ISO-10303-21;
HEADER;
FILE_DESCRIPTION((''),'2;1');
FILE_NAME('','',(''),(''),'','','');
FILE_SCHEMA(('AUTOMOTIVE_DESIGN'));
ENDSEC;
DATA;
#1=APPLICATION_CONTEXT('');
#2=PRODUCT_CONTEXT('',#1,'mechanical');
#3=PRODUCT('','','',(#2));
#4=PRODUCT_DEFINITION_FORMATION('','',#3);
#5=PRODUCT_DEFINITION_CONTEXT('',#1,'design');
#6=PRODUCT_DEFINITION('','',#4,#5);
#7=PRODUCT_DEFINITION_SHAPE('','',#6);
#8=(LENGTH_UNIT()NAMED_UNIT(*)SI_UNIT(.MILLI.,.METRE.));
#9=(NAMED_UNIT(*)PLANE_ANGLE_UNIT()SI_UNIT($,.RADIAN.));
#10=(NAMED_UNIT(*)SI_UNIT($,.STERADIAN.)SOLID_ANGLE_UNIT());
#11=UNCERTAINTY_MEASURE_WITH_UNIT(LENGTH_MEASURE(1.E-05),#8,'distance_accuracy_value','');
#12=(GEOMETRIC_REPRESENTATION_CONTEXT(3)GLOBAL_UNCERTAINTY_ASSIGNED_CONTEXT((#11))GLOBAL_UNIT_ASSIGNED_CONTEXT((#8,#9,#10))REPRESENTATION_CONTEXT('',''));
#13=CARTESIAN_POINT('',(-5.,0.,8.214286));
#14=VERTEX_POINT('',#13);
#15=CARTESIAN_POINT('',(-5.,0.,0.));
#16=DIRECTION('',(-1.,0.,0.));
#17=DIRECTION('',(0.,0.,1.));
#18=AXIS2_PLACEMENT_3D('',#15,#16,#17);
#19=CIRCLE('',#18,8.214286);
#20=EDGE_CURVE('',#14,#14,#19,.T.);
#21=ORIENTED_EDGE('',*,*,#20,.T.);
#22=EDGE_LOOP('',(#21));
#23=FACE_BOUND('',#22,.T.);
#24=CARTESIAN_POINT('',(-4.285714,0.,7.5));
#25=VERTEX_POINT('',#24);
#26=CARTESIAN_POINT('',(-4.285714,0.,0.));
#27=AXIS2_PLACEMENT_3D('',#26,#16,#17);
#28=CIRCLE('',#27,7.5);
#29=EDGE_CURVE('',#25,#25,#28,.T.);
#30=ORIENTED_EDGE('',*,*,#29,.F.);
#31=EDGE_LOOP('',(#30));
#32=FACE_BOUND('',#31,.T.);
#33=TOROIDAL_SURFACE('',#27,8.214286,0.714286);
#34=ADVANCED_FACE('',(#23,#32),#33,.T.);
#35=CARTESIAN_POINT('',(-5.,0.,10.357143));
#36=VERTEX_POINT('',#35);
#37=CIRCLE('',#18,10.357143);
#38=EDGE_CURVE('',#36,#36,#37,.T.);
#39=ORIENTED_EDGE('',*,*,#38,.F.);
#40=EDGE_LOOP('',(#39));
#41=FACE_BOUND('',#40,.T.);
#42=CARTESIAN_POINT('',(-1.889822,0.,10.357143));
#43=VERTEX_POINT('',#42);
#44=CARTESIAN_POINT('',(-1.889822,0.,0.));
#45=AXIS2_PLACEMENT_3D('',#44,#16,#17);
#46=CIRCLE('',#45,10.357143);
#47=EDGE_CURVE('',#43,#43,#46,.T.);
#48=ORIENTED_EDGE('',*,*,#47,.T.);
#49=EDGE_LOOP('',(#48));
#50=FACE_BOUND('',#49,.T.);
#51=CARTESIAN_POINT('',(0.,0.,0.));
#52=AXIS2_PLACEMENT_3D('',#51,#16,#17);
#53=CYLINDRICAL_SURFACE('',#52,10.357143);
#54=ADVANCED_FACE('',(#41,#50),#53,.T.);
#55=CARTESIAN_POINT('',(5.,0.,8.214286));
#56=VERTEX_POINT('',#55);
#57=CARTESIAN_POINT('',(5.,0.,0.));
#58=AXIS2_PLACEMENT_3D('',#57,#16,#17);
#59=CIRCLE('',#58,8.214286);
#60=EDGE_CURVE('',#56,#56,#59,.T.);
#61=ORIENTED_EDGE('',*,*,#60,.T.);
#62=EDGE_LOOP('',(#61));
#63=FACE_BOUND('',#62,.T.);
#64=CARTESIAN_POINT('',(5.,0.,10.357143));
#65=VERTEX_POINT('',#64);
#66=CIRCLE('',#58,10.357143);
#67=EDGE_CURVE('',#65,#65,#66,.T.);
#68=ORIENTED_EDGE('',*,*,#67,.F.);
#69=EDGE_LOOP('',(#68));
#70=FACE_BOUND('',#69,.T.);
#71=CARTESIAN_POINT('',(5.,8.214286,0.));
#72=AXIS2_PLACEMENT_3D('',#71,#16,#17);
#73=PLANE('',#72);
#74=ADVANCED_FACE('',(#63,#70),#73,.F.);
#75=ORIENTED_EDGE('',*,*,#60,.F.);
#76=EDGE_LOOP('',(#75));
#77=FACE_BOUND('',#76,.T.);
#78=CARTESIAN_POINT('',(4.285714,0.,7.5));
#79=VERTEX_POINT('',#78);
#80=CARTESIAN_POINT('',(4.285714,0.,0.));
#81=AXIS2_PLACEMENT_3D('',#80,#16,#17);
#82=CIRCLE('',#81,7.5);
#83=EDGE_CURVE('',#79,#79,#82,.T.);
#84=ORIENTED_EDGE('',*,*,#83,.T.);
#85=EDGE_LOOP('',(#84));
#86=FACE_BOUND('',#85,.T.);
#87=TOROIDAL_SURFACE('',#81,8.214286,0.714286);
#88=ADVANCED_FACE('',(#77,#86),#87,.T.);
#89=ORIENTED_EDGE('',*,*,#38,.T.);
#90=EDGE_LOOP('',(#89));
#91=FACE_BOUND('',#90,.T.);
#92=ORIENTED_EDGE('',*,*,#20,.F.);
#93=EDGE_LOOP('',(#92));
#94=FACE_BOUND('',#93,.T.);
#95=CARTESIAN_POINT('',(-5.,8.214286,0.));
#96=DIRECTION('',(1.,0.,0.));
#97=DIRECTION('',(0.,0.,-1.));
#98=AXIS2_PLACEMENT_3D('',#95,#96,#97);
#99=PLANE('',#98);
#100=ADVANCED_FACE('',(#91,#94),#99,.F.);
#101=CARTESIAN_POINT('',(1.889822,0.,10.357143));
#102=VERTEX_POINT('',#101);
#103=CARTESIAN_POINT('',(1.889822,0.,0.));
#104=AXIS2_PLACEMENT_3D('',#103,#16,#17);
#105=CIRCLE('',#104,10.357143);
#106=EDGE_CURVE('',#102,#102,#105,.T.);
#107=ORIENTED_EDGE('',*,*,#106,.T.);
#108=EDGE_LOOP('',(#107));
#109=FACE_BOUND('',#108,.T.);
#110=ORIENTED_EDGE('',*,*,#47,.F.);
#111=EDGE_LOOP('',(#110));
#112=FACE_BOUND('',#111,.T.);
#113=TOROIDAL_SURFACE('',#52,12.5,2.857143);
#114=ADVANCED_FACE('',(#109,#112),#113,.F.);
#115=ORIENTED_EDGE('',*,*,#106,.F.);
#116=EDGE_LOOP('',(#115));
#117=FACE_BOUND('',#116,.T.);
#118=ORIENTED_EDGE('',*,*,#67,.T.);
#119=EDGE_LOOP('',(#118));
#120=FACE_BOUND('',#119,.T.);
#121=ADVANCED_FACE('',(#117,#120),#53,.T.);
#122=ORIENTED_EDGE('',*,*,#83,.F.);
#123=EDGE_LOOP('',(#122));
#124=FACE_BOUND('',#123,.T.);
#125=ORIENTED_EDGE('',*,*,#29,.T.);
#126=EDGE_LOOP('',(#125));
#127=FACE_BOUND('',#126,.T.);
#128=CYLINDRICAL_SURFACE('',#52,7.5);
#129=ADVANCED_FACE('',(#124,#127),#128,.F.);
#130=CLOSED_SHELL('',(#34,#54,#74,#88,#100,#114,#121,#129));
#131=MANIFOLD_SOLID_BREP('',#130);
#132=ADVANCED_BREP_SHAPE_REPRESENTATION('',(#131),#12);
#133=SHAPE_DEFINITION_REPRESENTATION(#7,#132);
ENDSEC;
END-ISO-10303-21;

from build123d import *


with BuildPart() as part:
    # Esquisse1 → Base-Révolution (revolve)
    with BuildSketch(Plane.XY):
        with BuildLine():
            Line((-4.285714286, 7.5), (4.285714286, 7.5))
            ThreePointArc((4.285714286, 7.5), (4.790790558, 7.709209442), (5, 8.214285714))
            Line((5, 8.214285714), (5, 10.357142857))
            Line((5, 10.357142857), (1.889822365, 10.357142857))
            ThreePointArc((1.889822365, 10.357142857), (0, 9.642857143), (-1.889822365, 10.357142857))
            Line((-1.889822365, 10.357142857), (-5, 10.357142857))
            Line((-5, 10.357142857), (-5, 8.214285714))
            ThreePointArc((-5, 8.214285714), (-4.790790558, 7.709209442), (-4.285714286, 7.5))
        make_face()
    revolve(axis=Axis((0, 0, 0), (1, 0, 0)))


solid = part.part
